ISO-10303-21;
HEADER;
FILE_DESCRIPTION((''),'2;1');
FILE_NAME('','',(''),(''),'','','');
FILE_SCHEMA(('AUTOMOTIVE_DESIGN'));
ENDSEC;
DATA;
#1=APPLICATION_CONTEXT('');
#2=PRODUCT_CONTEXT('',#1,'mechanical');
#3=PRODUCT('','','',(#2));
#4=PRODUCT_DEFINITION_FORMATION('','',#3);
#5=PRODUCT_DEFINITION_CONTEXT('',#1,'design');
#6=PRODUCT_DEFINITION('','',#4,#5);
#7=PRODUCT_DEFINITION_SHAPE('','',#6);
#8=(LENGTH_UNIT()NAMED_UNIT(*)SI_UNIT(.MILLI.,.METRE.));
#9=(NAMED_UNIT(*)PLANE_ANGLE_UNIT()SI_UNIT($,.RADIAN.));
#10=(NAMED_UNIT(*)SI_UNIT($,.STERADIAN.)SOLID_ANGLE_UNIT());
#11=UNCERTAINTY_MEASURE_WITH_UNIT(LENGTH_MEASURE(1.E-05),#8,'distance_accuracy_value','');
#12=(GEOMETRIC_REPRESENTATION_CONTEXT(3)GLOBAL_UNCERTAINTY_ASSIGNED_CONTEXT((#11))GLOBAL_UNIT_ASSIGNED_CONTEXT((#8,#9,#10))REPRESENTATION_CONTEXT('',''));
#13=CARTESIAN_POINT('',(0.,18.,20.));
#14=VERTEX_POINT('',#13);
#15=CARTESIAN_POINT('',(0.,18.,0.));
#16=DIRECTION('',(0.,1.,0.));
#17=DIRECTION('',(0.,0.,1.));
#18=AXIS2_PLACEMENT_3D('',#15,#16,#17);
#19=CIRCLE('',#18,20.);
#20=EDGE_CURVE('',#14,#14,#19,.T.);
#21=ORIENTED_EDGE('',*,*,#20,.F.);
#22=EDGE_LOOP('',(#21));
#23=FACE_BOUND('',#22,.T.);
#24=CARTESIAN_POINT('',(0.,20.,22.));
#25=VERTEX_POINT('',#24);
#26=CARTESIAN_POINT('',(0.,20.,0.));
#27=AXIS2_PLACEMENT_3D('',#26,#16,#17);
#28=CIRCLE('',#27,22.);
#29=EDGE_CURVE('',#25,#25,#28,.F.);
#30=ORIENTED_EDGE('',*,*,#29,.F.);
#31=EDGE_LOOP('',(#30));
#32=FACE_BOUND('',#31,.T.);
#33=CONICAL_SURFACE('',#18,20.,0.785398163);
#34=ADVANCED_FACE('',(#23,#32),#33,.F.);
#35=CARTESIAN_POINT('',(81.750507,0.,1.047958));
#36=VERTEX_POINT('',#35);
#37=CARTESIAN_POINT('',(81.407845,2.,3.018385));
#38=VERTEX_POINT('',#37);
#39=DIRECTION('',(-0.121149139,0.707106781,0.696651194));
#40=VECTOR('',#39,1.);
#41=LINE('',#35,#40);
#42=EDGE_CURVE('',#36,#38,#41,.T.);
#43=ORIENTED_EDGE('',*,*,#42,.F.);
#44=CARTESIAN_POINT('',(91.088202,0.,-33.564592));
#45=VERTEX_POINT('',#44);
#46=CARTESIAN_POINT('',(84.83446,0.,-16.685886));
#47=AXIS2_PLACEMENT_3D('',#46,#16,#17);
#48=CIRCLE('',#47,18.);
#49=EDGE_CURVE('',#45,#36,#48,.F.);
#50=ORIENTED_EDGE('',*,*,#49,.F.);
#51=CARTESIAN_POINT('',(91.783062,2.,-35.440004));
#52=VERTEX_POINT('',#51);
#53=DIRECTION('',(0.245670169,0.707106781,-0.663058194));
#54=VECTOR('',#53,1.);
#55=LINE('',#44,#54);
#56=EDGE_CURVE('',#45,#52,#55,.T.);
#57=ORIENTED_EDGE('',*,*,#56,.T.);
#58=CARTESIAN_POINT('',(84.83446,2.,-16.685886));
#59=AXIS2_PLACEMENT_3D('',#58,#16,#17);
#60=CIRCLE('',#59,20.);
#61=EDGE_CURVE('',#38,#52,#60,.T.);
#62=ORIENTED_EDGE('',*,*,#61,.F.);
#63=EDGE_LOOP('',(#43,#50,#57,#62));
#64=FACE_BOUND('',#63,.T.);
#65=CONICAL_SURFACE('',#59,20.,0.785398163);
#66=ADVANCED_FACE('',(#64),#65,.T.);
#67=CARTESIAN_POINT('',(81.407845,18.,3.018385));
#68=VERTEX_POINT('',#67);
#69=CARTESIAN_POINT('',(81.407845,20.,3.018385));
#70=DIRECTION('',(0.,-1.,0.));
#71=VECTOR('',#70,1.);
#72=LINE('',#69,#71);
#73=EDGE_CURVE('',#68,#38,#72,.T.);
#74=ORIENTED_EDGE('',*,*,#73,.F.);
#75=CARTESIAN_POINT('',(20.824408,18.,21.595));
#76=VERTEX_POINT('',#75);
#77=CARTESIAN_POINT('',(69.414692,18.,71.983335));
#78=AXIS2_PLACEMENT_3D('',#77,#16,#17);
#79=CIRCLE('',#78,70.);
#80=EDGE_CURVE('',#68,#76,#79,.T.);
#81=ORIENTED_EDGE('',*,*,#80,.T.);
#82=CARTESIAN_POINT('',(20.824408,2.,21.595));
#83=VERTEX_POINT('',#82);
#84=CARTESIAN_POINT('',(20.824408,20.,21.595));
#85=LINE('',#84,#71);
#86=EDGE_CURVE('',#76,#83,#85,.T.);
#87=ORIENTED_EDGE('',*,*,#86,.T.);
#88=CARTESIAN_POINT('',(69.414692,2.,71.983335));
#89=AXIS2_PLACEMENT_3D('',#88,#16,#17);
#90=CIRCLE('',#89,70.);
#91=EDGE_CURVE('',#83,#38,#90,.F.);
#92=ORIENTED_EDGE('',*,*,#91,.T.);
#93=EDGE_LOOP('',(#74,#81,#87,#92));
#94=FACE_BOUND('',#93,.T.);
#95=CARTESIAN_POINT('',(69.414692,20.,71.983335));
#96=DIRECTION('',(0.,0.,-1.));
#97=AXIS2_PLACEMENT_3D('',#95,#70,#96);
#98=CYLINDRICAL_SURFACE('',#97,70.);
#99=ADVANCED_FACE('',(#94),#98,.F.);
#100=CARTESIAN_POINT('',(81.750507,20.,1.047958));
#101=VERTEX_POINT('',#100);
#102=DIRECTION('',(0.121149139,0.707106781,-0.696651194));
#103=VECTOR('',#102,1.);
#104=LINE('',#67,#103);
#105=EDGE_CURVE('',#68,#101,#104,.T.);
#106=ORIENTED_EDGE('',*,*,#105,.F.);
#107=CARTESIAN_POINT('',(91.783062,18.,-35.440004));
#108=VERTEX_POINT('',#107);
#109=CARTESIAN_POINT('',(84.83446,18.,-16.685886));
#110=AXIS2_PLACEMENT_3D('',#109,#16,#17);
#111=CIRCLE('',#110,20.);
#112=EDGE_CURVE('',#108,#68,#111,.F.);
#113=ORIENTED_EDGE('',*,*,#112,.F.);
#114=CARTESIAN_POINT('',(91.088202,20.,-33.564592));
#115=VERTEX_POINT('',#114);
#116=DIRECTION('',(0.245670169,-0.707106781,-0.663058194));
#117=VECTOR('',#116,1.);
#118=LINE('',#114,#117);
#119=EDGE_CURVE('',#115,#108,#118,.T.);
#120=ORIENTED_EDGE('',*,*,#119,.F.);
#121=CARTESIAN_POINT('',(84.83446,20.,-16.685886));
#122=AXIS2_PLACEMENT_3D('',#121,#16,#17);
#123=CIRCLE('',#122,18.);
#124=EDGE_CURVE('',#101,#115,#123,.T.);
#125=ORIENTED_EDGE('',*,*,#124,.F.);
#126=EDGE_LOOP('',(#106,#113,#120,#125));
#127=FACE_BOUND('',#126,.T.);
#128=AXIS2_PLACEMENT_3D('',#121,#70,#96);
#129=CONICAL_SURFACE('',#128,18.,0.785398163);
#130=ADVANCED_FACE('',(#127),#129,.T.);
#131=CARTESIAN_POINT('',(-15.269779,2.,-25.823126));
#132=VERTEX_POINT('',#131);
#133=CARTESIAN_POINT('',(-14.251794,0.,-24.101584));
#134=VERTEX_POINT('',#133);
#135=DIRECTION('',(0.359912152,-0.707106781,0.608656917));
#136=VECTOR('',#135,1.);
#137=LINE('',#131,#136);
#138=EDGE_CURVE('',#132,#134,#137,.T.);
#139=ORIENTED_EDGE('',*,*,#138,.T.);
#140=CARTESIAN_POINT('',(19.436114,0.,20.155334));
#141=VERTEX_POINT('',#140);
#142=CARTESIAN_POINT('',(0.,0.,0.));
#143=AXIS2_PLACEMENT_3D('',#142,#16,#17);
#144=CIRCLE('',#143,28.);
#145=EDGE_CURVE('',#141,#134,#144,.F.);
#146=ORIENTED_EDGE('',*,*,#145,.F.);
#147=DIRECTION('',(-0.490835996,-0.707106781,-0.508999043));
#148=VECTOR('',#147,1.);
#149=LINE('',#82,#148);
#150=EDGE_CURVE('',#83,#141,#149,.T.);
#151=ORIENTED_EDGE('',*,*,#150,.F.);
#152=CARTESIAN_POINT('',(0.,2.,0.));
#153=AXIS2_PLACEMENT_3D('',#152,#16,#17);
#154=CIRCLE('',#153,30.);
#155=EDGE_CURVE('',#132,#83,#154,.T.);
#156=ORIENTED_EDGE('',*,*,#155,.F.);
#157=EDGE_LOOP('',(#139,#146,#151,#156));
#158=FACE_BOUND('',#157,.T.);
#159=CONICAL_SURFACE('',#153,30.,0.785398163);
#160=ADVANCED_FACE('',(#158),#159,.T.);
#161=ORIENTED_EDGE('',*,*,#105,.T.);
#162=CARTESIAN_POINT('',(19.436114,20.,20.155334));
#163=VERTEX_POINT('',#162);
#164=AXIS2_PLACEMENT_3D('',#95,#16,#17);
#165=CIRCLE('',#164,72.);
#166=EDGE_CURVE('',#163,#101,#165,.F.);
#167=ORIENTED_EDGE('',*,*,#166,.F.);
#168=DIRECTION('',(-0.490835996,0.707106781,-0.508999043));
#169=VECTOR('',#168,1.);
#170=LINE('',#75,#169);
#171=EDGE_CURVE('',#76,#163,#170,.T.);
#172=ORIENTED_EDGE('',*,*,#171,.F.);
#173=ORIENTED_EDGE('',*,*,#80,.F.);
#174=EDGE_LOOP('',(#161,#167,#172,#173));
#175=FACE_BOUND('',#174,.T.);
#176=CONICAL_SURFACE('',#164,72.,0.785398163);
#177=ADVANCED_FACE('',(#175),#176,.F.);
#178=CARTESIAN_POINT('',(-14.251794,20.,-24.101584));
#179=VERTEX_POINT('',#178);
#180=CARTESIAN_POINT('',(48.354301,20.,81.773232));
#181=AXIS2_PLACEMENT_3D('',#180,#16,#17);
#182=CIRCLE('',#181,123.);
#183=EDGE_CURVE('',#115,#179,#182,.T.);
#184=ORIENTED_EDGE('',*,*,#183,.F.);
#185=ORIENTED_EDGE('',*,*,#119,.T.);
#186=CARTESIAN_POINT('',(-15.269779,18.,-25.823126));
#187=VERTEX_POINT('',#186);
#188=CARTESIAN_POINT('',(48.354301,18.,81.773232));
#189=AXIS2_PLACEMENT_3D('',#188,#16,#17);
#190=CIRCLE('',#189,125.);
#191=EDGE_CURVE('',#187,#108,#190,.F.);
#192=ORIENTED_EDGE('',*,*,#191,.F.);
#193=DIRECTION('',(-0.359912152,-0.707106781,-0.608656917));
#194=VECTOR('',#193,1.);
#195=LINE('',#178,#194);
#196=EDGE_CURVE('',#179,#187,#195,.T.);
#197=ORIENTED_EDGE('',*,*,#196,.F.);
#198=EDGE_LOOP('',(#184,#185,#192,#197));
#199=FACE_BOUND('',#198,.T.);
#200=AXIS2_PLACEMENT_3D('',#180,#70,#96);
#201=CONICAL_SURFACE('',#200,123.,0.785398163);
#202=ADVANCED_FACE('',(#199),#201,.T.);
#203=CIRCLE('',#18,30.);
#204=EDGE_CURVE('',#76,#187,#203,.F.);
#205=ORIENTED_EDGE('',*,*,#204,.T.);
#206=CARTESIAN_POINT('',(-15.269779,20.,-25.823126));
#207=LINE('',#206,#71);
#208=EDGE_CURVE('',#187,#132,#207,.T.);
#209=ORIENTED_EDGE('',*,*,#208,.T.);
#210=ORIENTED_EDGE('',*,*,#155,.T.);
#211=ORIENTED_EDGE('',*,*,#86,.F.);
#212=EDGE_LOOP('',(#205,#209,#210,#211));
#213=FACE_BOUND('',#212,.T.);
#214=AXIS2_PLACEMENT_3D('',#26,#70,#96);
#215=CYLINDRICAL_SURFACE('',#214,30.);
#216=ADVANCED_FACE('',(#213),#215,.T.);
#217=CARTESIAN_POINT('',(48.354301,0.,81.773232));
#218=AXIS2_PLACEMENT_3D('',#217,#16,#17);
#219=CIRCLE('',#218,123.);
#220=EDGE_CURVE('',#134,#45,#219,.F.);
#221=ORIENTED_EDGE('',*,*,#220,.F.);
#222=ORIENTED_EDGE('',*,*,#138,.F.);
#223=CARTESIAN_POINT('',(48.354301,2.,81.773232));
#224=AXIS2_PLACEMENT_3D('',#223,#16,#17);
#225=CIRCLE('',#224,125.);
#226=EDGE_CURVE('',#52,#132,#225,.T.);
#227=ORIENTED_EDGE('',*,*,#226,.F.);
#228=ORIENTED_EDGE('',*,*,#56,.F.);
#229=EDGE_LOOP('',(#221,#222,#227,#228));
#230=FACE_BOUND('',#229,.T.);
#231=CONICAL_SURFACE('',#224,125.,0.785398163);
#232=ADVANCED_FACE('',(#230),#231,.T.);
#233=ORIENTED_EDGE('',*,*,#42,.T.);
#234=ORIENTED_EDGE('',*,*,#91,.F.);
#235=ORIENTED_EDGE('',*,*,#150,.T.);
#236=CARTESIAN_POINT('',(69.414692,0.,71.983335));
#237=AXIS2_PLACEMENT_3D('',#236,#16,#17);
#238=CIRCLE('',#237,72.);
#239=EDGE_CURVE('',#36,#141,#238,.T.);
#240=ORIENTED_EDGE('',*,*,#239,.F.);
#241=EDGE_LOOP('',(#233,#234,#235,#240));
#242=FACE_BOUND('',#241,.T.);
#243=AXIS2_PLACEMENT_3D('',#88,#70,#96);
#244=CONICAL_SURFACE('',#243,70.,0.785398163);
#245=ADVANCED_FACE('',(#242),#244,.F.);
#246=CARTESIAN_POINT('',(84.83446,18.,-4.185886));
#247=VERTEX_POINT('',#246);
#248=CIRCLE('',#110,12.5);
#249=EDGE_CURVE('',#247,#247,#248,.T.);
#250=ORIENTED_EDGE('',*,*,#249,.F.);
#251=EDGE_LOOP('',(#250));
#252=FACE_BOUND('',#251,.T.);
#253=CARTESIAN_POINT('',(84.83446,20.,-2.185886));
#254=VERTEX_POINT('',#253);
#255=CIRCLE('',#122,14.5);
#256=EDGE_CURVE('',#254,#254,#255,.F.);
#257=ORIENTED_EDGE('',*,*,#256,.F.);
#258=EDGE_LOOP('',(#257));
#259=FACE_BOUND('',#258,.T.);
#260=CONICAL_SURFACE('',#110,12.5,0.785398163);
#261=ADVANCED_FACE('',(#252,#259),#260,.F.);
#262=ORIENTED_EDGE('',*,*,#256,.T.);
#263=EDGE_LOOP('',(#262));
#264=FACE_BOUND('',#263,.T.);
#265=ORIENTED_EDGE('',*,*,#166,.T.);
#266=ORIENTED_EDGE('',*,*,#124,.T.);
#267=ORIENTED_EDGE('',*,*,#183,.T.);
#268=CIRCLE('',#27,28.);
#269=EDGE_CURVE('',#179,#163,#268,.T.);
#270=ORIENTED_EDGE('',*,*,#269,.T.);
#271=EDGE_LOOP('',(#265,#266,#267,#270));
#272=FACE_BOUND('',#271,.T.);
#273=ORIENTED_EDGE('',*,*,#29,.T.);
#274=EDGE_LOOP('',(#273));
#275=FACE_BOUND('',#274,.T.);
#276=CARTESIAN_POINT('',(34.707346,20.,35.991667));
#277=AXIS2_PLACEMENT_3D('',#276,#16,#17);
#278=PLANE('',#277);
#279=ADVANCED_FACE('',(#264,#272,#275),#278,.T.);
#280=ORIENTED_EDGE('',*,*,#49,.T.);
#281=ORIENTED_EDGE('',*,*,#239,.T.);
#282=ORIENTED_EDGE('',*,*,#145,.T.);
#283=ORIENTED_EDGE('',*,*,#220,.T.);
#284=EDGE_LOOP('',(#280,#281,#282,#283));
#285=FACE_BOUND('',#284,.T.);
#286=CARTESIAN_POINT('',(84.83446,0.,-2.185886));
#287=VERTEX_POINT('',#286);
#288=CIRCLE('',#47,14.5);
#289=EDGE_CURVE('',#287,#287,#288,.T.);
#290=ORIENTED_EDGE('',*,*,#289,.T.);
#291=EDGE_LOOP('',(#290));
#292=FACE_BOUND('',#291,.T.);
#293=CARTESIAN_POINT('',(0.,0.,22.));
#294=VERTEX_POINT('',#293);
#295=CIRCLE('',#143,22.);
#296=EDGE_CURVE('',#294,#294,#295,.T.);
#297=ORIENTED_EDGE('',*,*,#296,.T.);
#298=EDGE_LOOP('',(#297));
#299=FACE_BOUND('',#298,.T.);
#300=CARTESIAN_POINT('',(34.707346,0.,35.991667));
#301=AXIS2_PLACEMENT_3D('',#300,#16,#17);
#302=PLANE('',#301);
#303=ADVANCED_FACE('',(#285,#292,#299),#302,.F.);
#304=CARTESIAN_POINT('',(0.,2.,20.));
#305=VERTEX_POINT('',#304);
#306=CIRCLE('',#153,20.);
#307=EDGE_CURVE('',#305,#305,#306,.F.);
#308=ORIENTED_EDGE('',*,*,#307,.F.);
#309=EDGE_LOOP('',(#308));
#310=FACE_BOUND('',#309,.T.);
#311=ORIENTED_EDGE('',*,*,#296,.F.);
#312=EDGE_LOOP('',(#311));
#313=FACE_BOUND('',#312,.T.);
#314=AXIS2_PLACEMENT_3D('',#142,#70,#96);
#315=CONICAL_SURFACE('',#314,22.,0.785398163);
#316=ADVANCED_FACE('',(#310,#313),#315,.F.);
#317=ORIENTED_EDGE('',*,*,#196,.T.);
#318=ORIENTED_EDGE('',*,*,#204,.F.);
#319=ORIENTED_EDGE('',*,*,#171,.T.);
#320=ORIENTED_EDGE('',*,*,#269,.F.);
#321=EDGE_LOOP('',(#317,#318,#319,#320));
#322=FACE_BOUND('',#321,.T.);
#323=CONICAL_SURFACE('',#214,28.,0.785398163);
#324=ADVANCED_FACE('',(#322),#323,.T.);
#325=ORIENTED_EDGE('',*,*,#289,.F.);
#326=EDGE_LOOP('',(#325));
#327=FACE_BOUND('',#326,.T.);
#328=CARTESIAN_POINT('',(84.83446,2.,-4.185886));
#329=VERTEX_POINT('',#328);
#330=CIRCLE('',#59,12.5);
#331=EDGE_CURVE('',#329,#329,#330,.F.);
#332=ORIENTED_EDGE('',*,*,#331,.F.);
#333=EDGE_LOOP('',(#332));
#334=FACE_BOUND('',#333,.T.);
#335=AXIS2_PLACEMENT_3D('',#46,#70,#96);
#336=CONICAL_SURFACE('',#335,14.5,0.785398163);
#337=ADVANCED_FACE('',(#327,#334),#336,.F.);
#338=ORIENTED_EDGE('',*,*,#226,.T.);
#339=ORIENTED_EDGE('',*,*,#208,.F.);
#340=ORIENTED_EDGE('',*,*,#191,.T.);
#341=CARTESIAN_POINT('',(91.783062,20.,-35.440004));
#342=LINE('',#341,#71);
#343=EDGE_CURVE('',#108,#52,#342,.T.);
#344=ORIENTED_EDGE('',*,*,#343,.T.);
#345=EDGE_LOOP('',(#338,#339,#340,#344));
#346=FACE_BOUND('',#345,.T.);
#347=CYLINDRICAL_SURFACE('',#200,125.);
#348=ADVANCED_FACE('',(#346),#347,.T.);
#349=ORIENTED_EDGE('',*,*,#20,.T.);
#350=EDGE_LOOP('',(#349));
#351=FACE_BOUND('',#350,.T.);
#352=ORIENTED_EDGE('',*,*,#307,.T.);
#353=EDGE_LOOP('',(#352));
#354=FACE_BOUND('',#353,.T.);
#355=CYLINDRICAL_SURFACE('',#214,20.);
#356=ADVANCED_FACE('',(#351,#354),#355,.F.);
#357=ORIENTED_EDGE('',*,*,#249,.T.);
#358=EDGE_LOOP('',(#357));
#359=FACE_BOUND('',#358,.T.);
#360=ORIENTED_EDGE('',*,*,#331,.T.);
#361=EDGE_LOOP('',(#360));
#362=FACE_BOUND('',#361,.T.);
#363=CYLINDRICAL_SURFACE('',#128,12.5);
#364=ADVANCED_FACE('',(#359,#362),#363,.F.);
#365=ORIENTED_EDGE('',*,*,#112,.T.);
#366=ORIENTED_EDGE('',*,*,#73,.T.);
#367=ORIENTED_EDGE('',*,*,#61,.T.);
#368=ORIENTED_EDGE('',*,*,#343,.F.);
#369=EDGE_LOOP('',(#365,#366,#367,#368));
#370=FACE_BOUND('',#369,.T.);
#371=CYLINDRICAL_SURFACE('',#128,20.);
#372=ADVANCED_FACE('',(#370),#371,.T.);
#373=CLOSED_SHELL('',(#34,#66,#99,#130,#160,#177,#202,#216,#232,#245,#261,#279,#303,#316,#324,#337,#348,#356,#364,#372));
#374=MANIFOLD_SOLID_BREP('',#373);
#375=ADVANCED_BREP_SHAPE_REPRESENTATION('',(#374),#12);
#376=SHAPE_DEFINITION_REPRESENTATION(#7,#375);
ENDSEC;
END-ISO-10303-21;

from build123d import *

# Parameters (mm, degrees)
CROQUIS2_R              = 20
CROQUIS2_R_2            = 12.5
SALIENTE_EXTRUIR1_DEPTH = 20
CHAFL_N1_SIZE           = 2


with BuildPart() as part:
    # Croquis2 → Saliente-Extruir1 (new body)
    with BuildSketch(Plane(origin=(0, 0, 0), x_dir=(1, 0, 0), z_dir=(0, 1, 0))):
        with BuildLine():
            ThreePointArc((-15.269779386, 25.823126021), (-23.871178313, -18.170493828), (20.824407657, -21.59500048))
            ThreePointArc((20.824407657, -21.59500048), (48.893723191, -5.058826483), (81.407845118, -3.018385264))
            ThreePointArc((81.407845118, -3.018385264), (104.144121582, 11.476569523), (91.783061927, 35.440003874))
            ThreePointArc((91.783061927, 35.440003874), (37.170213372, 42.72542693), (-15.269779386, 25.823126021))
        make_face()
        with Locations(Location((0, 0, 0), (0, 0, 270))):
            Circle(CROQUIS2_R, mode=Mode.SUBTRACT)
        with Locations(Location((84.83446024, 16.68588607, 0), (0, 0, 270))):
            Circle(CROQUIS2_R_2, mode=Mode.SUBTRACT)
    extrude(amount=SALIENTE_EXTRUIR1_DEPTH)

    # Chaflán1
    chafl_n1_edges = [part.edges().sort_by_distance(p)[0] for p in [
        (0, 0, -20),
        (0, 20, -20),
        (37.170213372, 20, -42.72542693),
        (84.83446024, 0, -29.18588607),
        (84.83446024, 20, -29.18588607),
        (-23.871178313, 20, 18.170493828),
        (48.893723191, 20, 5.058826483),
        (-23.871178313, 0, 18.170493828),
        (37.170213372, 0, -42.72542693),
        (104.144121582, 0, -11.476569523),
        (48.893723191, 0, 5.058826483),
        (104.144121582, 20, -11.476569523),
    ]]
    chamfer(chafl_n1_edges, length=CHAFL_N1_SIZE)


solid = part.part
